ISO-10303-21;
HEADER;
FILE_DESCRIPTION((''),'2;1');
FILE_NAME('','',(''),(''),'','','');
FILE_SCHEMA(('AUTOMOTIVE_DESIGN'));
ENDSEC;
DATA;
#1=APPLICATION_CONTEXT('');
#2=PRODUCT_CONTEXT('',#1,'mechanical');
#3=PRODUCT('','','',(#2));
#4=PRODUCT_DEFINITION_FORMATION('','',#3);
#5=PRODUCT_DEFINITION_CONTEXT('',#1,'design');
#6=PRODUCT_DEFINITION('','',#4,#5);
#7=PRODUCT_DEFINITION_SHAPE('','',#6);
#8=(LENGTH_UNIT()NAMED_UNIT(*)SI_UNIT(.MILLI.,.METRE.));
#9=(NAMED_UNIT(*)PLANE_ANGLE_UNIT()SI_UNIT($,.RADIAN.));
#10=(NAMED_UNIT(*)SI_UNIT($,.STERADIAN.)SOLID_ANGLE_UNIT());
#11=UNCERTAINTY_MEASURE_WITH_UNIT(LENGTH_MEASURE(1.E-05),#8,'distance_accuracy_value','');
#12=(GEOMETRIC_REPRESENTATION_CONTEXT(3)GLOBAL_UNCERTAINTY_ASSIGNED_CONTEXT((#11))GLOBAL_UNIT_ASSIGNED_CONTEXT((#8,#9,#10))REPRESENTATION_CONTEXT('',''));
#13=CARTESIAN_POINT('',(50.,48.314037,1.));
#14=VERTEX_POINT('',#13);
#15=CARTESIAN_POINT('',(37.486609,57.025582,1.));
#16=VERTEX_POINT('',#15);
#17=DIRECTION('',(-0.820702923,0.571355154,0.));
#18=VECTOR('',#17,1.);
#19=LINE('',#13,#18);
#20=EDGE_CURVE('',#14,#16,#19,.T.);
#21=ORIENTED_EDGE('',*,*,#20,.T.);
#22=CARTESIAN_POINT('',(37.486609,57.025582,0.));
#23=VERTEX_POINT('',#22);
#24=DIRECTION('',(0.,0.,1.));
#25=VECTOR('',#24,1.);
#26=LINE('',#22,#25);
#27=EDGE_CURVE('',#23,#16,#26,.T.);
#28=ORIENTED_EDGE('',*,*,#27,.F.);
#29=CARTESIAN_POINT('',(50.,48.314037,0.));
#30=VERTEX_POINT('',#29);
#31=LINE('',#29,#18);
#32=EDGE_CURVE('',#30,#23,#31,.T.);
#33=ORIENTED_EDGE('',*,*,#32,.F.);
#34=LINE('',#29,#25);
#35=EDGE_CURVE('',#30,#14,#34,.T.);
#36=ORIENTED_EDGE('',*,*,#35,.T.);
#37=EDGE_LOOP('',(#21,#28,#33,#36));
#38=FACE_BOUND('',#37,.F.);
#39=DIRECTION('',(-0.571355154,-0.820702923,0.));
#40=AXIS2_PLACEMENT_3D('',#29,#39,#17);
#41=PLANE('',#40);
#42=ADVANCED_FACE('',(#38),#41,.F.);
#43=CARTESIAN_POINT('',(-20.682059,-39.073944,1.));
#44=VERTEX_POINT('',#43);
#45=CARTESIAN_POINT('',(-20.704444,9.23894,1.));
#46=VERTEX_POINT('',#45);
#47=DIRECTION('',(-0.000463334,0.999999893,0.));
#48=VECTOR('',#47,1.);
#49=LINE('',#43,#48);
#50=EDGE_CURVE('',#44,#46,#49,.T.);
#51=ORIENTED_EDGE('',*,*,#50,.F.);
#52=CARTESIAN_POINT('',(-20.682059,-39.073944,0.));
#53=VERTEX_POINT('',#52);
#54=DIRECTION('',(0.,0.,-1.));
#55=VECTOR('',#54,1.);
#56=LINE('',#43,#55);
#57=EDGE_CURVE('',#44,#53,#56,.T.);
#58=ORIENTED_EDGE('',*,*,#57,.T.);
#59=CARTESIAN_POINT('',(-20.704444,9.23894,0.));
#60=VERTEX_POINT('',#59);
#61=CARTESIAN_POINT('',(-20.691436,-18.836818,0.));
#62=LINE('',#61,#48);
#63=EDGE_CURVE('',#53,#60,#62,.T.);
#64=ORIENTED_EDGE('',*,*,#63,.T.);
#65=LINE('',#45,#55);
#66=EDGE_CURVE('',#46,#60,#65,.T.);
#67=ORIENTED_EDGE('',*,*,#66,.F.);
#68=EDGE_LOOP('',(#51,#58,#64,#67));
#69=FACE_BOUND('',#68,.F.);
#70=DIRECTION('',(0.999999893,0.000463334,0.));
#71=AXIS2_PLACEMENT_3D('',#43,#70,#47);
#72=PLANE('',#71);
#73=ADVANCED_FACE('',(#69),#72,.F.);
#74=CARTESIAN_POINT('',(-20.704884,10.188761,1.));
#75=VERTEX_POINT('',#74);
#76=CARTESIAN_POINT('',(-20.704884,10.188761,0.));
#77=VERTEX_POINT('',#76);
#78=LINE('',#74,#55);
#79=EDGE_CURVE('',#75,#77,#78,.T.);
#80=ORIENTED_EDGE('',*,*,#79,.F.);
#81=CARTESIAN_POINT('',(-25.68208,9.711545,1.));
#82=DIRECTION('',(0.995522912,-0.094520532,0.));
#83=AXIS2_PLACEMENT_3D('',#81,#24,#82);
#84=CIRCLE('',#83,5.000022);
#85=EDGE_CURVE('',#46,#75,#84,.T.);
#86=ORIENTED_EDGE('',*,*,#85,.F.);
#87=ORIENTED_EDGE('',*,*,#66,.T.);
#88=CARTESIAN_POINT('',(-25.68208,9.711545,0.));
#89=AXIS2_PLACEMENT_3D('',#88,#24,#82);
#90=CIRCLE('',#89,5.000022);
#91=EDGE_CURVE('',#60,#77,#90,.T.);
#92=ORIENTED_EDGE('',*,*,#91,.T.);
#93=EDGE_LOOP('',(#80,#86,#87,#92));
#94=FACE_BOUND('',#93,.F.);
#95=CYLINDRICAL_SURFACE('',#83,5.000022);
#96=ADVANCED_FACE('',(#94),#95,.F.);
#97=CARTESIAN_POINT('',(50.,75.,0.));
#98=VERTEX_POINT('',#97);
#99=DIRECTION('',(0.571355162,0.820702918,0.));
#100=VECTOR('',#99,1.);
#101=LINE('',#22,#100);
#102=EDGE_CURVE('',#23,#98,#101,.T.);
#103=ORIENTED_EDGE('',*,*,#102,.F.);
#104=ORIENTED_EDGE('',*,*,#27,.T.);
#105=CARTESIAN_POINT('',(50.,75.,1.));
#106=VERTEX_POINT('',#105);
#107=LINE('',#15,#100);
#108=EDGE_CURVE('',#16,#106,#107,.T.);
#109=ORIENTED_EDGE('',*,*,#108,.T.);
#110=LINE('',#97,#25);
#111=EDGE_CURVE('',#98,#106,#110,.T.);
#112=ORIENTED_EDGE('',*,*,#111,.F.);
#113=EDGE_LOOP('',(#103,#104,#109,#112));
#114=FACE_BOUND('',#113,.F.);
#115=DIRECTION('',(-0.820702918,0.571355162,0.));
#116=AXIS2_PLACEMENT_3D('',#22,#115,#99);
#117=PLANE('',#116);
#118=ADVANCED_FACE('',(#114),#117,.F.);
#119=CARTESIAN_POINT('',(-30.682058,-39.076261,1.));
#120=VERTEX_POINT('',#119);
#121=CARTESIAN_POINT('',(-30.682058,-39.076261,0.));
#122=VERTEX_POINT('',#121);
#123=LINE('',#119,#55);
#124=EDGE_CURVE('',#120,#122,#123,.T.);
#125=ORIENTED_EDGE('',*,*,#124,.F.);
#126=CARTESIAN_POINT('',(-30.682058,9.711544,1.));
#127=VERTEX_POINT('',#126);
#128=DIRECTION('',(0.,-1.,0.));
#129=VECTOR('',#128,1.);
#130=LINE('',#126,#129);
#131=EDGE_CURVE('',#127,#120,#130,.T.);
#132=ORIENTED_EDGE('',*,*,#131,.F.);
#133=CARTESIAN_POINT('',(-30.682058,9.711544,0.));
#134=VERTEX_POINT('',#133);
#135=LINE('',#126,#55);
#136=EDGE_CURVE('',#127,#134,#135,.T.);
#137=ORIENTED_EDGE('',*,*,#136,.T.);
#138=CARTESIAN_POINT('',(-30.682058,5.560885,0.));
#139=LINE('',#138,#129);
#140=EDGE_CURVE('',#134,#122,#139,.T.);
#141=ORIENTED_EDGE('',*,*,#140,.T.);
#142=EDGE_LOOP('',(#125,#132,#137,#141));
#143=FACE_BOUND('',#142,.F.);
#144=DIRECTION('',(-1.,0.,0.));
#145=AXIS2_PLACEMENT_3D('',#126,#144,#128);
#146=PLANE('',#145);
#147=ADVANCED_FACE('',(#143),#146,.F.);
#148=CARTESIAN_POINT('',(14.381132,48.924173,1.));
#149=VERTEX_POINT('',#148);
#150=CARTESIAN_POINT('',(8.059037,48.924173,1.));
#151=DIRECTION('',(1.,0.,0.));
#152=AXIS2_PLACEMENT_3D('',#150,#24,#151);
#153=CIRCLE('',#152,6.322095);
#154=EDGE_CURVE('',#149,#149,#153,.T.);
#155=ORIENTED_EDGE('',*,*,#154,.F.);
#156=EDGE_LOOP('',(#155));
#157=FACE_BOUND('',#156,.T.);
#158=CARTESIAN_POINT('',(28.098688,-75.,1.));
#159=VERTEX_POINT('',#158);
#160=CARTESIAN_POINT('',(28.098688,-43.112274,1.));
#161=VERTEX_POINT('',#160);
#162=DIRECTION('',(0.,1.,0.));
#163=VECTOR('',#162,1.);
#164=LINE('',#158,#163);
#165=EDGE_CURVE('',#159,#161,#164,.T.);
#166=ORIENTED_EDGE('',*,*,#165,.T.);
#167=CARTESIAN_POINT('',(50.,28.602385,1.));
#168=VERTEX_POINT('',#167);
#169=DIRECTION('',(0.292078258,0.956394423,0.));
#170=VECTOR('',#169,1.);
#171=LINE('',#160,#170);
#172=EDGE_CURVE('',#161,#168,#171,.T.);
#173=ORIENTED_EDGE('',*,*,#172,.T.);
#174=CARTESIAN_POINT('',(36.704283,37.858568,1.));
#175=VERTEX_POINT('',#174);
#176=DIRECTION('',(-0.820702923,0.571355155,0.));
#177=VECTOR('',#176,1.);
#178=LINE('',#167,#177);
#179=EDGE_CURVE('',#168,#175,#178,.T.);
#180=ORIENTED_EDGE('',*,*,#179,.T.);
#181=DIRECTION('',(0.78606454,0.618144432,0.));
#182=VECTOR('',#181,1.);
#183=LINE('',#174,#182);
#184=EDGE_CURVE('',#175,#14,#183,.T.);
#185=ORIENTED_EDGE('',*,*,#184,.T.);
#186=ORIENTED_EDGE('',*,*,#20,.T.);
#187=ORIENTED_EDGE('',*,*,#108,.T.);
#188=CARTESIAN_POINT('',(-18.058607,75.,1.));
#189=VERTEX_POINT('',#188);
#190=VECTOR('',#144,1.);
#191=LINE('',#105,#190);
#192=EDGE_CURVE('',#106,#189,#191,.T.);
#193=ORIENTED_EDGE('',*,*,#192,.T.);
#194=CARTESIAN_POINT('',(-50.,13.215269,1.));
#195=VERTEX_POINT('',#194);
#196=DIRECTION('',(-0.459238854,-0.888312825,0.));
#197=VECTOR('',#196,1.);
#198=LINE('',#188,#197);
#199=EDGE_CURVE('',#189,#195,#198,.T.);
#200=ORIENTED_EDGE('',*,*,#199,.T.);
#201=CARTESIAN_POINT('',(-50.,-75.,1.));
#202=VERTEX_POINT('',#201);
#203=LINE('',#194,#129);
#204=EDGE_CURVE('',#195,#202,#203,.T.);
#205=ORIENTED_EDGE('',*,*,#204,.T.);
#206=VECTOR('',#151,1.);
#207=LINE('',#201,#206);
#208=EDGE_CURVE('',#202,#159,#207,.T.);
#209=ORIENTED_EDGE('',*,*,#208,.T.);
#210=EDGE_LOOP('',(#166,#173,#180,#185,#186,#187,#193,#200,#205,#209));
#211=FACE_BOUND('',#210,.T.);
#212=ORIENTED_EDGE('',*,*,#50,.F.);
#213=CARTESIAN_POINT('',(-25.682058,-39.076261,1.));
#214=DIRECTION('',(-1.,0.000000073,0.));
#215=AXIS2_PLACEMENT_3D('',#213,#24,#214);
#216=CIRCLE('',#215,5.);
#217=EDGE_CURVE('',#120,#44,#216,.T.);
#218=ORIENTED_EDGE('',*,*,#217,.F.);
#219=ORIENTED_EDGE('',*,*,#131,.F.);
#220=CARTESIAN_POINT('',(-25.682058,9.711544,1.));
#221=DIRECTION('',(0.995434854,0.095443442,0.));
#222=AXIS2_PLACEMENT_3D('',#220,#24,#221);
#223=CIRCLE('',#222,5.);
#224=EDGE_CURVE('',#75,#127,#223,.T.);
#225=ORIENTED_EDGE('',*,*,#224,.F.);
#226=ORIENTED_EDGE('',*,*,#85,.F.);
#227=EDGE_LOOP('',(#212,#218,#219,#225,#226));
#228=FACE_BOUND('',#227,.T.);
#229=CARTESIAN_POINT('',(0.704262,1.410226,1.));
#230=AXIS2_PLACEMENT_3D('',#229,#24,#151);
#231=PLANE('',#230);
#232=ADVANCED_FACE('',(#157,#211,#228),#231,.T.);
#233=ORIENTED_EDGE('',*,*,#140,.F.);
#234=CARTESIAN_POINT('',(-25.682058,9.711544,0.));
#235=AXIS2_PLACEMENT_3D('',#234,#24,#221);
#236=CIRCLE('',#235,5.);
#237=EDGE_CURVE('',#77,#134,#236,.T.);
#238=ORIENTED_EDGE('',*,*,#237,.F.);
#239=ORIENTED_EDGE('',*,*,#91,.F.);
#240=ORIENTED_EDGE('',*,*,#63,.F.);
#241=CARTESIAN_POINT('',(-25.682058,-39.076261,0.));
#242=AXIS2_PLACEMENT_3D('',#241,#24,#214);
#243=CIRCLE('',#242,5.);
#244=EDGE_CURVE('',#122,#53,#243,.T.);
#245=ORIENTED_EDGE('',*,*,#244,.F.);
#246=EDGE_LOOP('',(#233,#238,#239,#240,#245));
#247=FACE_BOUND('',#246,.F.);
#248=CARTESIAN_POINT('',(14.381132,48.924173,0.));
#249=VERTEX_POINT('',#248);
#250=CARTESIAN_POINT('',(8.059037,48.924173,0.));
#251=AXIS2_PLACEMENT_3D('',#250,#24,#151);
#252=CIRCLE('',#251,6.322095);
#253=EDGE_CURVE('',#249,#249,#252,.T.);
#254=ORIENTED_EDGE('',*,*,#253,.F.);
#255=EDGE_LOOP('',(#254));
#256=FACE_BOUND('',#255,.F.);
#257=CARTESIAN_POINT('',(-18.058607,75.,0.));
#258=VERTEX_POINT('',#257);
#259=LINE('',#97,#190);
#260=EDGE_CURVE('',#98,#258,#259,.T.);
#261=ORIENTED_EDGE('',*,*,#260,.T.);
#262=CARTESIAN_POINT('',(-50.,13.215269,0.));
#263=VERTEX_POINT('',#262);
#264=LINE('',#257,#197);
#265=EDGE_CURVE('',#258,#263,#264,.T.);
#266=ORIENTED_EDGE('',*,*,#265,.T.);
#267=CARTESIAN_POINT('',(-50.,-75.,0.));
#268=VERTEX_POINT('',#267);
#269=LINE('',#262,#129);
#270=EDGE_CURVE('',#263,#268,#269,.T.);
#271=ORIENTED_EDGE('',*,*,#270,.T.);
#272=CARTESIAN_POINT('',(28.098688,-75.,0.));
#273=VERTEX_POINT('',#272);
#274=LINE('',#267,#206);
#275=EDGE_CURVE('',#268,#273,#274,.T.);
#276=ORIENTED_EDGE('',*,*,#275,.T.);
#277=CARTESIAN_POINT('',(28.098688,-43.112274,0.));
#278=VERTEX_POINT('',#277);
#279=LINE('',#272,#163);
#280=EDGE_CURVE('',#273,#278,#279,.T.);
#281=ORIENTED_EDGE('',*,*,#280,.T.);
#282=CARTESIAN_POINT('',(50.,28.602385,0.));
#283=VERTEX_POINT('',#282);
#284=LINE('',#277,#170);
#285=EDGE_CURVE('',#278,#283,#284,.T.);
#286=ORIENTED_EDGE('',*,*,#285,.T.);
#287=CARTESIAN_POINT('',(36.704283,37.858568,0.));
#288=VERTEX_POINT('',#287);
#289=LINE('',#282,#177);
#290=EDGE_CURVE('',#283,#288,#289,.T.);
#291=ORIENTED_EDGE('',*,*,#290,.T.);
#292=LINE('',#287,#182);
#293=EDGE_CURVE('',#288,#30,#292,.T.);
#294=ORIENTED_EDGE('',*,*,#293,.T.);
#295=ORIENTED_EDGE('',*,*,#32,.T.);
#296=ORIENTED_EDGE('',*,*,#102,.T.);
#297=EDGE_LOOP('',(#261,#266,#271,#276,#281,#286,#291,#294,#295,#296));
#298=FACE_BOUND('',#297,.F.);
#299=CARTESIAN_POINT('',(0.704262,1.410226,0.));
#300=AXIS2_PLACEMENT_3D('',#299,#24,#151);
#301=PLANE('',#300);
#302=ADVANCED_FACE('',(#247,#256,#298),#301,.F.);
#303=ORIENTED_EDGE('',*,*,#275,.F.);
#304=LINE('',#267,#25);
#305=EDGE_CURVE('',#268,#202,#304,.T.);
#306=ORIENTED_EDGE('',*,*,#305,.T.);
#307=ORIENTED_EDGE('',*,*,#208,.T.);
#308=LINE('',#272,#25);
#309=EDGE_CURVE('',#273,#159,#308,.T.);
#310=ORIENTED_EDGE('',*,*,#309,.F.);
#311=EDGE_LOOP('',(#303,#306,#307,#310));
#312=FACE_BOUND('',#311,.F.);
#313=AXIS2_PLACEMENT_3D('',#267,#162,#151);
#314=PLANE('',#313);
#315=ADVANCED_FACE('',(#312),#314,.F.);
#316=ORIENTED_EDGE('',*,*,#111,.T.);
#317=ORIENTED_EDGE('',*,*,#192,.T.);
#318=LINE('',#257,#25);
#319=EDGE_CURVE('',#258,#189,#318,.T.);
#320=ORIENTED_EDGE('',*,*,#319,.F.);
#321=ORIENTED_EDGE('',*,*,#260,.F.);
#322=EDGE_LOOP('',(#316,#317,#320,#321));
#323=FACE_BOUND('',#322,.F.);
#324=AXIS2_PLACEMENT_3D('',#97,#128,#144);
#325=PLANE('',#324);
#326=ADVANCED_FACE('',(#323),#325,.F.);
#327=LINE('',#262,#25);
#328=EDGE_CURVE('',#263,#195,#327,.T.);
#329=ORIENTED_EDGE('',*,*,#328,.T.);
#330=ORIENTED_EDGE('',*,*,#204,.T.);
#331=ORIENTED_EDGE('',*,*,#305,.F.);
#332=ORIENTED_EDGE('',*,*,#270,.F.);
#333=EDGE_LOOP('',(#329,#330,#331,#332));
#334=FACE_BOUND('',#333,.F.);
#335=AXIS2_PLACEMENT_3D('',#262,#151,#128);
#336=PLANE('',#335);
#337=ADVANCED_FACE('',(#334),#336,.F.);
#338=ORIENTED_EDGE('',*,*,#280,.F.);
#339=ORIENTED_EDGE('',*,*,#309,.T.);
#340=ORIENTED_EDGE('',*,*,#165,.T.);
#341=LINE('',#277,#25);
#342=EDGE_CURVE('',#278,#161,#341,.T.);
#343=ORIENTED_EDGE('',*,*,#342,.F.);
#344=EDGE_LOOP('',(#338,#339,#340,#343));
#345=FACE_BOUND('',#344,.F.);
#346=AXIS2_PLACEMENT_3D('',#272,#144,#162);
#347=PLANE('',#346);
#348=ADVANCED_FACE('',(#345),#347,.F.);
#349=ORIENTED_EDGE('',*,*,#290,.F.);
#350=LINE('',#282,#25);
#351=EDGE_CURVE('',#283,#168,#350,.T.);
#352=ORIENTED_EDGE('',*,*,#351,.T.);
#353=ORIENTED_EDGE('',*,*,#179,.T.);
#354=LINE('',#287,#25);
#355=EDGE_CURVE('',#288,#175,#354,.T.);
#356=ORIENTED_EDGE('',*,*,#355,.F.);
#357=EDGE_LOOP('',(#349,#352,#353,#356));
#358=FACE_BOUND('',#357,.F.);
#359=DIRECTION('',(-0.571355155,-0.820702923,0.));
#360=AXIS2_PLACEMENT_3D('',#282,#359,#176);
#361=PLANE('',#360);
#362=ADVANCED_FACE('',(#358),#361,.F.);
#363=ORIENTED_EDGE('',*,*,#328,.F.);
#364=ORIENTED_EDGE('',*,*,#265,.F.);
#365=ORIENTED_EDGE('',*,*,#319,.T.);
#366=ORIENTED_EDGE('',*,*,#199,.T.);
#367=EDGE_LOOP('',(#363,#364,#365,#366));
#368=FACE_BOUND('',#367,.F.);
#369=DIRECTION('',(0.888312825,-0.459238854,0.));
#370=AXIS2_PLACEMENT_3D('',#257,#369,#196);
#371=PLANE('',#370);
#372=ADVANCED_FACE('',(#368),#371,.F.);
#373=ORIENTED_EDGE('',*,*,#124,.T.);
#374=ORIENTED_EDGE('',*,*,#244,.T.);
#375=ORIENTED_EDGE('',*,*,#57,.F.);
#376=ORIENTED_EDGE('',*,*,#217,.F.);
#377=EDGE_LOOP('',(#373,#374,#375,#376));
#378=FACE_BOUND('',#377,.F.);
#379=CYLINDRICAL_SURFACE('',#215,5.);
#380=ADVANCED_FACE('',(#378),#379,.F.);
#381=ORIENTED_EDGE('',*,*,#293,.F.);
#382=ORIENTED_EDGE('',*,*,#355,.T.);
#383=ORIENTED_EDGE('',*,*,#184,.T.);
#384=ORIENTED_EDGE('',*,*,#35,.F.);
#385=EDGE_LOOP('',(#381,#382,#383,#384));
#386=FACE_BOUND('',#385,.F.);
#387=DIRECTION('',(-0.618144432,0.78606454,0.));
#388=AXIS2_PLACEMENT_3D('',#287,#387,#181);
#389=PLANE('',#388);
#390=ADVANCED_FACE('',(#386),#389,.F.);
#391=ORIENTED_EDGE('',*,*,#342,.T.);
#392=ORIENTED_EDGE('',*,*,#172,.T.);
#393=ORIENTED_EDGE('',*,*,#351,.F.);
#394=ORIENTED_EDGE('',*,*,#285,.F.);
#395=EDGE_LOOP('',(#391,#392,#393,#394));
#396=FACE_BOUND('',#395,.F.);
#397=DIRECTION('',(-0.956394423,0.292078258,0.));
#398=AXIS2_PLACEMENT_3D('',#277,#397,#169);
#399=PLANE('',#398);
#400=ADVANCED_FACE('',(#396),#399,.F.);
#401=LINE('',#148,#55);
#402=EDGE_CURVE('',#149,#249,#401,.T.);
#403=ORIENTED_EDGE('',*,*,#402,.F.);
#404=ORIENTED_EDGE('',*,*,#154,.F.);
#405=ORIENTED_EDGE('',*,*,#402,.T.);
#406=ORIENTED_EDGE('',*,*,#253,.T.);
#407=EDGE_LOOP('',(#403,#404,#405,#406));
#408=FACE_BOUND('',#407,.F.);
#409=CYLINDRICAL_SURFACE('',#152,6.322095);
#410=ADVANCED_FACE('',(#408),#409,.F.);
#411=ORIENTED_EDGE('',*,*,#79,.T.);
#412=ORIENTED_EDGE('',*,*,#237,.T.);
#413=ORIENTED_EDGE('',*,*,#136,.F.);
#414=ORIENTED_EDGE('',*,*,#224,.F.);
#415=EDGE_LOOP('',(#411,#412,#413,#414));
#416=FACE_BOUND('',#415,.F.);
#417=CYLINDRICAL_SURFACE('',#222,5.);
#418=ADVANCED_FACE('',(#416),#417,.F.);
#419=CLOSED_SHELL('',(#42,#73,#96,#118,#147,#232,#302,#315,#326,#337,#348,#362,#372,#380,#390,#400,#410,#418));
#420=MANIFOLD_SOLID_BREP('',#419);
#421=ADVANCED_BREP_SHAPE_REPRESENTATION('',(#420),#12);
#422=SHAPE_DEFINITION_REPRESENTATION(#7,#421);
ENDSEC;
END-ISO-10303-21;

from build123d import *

# Parameters (mm, degrees)
F1_DEPTH = 1
F2_R     = 6.322095
F3_DEPTH = 25


with BuildPart() as f1:
    # F0 (on Top) → F1 (new body)
    with BuildSketch(Plane.XY):
        Polygon((50, 75), (-18.058607, 75), (-50, 13.215269), (-50, -75), (28.098688, -75), (28.098688, -43.112274), (50, 28.602385), (36.704283, 37.858568), (50, 48.314037), (37.486609, 57.025582), align=None)
    extrude(amount=F1_DEPTH)

    # F2 (on face) → F3 (cut)
    with BuildSketch(Plane.XY.offset(1)):
        with Locations((8.059037, 48.924173)):
            Circle(F2_R)
        with BuildLine():
            Line((-20.704884, 10.188761), (-20.704444, 9.23894))
            ThreePointArc((-20.704444, 9.23894), (-20.682059, 9.713861), (-20.704884, 10.188761))
        make_face()
        with BuildLine():
            Line((-20.682059, -39.073944), (-20.704444, 9.23894))
            Line((-20.704444, 9.23894), (-20.704884, 10.188761))
            ThreePointArc((-20.704884, 10.188761), (-25.920939, 14.705834), (-30.682058, 9.711544))
            Line((-30.682058, 9.711544), (-30.682058, -39.076261))
            ThreePointArc((-30.682058, -39.076261), (-25.6809, -44.076261), (-20.682059, -39.073944))
        make_face()
    extrude(amount=-F3_DEPTH, mode=Mode.SUBTRACT)


solid = f1.part
